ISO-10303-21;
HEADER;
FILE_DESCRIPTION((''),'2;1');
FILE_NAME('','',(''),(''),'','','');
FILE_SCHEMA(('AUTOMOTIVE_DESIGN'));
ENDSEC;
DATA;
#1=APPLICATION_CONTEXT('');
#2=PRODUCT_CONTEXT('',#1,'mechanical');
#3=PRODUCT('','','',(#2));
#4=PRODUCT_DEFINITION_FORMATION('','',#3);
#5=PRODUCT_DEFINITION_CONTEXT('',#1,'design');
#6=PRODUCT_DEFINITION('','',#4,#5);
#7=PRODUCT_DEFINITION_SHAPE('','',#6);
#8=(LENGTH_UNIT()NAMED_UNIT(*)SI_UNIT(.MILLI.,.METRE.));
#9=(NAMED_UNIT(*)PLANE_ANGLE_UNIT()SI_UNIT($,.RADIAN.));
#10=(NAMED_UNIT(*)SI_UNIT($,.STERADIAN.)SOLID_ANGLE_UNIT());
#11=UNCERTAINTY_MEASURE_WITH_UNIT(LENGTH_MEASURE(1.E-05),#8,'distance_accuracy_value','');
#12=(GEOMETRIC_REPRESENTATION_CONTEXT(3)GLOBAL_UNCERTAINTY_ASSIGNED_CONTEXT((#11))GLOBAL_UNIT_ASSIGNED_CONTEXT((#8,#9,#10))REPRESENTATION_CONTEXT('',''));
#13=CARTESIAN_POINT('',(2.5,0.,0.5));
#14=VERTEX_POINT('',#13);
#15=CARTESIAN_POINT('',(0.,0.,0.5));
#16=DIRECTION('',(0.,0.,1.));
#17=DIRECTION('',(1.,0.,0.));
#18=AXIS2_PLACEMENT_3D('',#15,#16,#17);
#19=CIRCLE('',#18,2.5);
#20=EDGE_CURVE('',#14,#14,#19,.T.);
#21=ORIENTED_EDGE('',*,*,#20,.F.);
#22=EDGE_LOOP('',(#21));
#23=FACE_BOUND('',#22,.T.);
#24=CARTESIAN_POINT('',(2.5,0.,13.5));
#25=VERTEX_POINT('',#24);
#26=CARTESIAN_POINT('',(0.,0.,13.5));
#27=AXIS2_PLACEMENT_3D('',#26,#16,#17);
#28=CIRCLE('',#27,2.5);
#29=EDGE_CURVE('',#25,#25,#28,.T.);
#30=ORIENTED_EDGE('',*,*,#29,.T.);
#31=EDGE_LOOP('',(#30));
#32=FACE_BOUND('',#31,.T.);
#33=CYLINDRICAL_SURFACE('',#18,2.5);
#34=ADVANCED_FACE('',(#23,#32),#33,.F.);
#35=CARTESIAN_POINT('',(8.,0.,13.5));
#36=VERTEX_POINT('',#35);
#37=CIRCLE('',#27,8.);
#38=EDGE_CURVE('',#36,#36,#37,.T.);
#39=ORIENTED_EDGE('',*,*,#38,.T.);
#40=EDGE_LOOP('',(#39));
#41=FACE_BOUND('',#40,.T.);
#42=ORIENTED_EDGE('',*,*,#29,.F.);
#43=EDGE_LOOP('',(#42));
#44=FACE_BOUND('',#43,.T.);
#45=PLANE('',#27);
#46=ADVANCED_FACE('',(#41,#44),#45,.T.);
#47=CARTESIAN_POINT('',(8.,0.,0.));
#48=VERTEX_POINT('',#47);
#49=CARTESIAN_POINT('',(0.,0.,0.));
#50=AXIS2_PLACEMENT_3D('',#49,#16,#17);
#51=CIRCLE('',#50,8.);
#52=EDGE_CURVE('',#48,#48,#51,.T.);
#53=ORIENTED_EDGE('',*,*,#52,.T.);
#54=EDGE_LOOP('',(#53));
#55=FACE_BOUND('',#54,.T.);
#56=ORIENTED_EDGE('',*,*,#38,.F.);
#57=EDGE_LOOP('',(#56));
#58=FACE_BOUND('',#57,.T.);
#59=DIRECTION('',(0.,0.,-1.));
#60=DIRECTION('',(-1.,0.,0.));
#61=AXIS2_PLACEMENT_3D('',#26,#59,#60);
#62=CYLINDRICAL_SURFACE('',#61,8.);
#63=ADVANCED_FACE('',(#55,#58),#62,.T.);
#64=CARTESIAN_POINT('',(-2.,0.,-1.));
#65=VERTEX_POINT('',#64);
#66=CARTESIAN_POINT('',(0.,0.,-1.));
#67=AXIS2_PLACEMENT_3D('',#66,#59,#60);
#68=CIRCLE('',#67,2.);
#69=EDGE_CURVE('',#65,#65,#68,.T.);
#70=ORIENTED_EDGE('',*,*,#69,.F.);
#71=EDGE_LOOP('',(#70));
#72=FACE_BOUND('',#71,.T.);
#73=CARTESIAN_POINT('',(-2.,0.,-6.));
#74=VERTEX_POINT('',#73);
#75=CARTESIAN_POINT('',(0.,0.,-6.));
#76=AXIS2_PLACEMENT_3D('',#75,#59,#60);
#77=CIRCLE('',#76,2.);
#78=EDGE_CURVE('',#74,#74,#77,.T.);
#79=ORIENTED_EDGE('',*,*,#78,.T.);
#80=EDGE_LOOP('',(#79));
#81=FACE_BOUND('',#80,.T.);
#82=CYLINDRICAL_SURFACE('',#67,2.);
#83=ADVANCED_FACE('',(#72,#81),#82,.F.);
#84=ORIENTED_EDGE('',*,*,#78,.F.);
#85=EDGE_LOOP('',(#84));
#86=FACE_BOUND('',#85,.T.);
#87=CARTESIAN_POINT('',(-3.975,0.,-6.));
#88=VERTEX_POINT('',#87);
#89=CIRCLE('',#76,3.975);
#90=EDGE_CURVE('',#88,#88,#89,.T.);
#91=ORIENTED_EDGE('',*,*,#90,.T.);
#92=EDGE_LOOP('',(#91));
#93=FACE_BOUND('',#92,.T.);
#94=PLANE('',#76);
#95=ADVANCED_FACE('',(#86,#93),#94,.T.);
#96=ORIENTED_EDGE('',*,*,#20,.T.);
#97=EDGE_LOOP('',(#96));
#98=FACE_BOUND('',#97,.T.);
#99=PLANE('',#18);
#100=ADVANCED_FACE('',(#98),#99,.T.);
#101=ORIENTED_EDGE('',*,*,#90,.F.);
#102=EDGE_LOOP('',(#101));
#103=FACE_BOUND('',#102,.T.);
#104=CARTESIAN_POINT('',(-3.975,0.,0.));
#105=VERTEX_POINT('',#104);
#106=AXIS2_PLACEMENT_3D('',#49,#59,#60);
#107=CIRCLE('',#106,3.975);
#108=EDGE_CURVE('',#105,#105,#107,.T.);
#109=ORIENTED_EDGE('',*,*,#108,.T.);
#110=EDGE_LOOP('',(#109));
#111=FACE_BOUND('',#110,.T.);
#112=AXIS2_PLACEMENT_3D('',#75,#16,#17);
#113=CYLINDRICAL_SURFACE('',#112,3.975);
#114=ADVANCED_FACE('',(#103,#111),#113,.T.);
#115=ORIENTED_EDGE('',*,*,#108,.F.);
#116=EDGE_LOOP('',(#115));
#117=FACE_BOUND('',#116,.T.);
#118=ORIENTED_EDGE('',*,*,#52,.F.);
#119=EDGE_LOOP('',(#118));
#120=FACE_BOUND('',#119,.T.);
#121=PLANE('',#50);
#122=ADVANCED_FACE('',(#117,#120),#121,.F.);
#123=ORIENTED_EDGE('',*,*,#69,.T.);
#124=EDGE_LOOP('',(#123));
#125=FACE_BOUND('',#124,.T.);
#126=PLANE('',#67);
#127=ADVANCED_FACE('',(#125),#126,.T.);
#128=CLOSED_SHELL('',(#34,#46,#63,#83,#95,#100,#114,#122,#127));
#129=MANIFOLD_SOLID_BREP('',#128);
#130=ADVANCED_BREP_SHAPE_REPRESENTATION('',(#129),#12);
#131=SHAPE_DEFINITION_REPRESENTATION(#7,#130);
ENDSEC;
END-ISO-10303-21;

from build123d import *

# Parameters (mm, degrees)
SKETCH1_R           = 8
BOSS_EXTRUDE1_DEPTH = 13.5
SKETCH3_R           = 3.975
BOSS_EXTRUDE2_DEPTH = 6
SKETCH4_R           = 2.5
CUT_EXTRUDE2_DEPTH  = 13
SKETCH7_R           = 2
CUT_EXTRUDE3_DEPTH  = 5


with BuildPart() as part:
    # Sketch1 → Boss-Extrude1 (new body)
    with BuildSketch(Plane.XY):
        Circle(SKETCH1_R)
    extrude(amount=BOSS_EXTRUDE1_DEPTH)

    # Sketch3 → Boss-Extrude2 (add)
    with BuildSketch(Plane(origin=(0, 0, 0), x_dir=(-1, 0, 0), z_dir=(0, 0, -1))):
        Circle(SKETCH3_R)
    extrude(amount=BOSS_EXTRUDE2_DEPTH)

    # Sketch4 → Cut-Extrude2 (cut)
    with BuildSketch(Plane.XY.offset(13.5)):
        Circle(SKETCH4_R)
    extrude(amount=-CUT_EXTRUDE2_DEPTH, mode=Mode.SUBTRACT)

    # Sketch7 → Cut-Extrude3 (cut)
    with BuildSketch(Plane(origin=(0, 0, -6), x_dir=(-1, 0, 0), z_dir=(0, 0, -1))):
        Circle(SKETCH7_R)
    extrude(amount=-CUT_EXTRUDE3_DEPTH, mode=Mode.SUBTRACT)


solid = part.part
